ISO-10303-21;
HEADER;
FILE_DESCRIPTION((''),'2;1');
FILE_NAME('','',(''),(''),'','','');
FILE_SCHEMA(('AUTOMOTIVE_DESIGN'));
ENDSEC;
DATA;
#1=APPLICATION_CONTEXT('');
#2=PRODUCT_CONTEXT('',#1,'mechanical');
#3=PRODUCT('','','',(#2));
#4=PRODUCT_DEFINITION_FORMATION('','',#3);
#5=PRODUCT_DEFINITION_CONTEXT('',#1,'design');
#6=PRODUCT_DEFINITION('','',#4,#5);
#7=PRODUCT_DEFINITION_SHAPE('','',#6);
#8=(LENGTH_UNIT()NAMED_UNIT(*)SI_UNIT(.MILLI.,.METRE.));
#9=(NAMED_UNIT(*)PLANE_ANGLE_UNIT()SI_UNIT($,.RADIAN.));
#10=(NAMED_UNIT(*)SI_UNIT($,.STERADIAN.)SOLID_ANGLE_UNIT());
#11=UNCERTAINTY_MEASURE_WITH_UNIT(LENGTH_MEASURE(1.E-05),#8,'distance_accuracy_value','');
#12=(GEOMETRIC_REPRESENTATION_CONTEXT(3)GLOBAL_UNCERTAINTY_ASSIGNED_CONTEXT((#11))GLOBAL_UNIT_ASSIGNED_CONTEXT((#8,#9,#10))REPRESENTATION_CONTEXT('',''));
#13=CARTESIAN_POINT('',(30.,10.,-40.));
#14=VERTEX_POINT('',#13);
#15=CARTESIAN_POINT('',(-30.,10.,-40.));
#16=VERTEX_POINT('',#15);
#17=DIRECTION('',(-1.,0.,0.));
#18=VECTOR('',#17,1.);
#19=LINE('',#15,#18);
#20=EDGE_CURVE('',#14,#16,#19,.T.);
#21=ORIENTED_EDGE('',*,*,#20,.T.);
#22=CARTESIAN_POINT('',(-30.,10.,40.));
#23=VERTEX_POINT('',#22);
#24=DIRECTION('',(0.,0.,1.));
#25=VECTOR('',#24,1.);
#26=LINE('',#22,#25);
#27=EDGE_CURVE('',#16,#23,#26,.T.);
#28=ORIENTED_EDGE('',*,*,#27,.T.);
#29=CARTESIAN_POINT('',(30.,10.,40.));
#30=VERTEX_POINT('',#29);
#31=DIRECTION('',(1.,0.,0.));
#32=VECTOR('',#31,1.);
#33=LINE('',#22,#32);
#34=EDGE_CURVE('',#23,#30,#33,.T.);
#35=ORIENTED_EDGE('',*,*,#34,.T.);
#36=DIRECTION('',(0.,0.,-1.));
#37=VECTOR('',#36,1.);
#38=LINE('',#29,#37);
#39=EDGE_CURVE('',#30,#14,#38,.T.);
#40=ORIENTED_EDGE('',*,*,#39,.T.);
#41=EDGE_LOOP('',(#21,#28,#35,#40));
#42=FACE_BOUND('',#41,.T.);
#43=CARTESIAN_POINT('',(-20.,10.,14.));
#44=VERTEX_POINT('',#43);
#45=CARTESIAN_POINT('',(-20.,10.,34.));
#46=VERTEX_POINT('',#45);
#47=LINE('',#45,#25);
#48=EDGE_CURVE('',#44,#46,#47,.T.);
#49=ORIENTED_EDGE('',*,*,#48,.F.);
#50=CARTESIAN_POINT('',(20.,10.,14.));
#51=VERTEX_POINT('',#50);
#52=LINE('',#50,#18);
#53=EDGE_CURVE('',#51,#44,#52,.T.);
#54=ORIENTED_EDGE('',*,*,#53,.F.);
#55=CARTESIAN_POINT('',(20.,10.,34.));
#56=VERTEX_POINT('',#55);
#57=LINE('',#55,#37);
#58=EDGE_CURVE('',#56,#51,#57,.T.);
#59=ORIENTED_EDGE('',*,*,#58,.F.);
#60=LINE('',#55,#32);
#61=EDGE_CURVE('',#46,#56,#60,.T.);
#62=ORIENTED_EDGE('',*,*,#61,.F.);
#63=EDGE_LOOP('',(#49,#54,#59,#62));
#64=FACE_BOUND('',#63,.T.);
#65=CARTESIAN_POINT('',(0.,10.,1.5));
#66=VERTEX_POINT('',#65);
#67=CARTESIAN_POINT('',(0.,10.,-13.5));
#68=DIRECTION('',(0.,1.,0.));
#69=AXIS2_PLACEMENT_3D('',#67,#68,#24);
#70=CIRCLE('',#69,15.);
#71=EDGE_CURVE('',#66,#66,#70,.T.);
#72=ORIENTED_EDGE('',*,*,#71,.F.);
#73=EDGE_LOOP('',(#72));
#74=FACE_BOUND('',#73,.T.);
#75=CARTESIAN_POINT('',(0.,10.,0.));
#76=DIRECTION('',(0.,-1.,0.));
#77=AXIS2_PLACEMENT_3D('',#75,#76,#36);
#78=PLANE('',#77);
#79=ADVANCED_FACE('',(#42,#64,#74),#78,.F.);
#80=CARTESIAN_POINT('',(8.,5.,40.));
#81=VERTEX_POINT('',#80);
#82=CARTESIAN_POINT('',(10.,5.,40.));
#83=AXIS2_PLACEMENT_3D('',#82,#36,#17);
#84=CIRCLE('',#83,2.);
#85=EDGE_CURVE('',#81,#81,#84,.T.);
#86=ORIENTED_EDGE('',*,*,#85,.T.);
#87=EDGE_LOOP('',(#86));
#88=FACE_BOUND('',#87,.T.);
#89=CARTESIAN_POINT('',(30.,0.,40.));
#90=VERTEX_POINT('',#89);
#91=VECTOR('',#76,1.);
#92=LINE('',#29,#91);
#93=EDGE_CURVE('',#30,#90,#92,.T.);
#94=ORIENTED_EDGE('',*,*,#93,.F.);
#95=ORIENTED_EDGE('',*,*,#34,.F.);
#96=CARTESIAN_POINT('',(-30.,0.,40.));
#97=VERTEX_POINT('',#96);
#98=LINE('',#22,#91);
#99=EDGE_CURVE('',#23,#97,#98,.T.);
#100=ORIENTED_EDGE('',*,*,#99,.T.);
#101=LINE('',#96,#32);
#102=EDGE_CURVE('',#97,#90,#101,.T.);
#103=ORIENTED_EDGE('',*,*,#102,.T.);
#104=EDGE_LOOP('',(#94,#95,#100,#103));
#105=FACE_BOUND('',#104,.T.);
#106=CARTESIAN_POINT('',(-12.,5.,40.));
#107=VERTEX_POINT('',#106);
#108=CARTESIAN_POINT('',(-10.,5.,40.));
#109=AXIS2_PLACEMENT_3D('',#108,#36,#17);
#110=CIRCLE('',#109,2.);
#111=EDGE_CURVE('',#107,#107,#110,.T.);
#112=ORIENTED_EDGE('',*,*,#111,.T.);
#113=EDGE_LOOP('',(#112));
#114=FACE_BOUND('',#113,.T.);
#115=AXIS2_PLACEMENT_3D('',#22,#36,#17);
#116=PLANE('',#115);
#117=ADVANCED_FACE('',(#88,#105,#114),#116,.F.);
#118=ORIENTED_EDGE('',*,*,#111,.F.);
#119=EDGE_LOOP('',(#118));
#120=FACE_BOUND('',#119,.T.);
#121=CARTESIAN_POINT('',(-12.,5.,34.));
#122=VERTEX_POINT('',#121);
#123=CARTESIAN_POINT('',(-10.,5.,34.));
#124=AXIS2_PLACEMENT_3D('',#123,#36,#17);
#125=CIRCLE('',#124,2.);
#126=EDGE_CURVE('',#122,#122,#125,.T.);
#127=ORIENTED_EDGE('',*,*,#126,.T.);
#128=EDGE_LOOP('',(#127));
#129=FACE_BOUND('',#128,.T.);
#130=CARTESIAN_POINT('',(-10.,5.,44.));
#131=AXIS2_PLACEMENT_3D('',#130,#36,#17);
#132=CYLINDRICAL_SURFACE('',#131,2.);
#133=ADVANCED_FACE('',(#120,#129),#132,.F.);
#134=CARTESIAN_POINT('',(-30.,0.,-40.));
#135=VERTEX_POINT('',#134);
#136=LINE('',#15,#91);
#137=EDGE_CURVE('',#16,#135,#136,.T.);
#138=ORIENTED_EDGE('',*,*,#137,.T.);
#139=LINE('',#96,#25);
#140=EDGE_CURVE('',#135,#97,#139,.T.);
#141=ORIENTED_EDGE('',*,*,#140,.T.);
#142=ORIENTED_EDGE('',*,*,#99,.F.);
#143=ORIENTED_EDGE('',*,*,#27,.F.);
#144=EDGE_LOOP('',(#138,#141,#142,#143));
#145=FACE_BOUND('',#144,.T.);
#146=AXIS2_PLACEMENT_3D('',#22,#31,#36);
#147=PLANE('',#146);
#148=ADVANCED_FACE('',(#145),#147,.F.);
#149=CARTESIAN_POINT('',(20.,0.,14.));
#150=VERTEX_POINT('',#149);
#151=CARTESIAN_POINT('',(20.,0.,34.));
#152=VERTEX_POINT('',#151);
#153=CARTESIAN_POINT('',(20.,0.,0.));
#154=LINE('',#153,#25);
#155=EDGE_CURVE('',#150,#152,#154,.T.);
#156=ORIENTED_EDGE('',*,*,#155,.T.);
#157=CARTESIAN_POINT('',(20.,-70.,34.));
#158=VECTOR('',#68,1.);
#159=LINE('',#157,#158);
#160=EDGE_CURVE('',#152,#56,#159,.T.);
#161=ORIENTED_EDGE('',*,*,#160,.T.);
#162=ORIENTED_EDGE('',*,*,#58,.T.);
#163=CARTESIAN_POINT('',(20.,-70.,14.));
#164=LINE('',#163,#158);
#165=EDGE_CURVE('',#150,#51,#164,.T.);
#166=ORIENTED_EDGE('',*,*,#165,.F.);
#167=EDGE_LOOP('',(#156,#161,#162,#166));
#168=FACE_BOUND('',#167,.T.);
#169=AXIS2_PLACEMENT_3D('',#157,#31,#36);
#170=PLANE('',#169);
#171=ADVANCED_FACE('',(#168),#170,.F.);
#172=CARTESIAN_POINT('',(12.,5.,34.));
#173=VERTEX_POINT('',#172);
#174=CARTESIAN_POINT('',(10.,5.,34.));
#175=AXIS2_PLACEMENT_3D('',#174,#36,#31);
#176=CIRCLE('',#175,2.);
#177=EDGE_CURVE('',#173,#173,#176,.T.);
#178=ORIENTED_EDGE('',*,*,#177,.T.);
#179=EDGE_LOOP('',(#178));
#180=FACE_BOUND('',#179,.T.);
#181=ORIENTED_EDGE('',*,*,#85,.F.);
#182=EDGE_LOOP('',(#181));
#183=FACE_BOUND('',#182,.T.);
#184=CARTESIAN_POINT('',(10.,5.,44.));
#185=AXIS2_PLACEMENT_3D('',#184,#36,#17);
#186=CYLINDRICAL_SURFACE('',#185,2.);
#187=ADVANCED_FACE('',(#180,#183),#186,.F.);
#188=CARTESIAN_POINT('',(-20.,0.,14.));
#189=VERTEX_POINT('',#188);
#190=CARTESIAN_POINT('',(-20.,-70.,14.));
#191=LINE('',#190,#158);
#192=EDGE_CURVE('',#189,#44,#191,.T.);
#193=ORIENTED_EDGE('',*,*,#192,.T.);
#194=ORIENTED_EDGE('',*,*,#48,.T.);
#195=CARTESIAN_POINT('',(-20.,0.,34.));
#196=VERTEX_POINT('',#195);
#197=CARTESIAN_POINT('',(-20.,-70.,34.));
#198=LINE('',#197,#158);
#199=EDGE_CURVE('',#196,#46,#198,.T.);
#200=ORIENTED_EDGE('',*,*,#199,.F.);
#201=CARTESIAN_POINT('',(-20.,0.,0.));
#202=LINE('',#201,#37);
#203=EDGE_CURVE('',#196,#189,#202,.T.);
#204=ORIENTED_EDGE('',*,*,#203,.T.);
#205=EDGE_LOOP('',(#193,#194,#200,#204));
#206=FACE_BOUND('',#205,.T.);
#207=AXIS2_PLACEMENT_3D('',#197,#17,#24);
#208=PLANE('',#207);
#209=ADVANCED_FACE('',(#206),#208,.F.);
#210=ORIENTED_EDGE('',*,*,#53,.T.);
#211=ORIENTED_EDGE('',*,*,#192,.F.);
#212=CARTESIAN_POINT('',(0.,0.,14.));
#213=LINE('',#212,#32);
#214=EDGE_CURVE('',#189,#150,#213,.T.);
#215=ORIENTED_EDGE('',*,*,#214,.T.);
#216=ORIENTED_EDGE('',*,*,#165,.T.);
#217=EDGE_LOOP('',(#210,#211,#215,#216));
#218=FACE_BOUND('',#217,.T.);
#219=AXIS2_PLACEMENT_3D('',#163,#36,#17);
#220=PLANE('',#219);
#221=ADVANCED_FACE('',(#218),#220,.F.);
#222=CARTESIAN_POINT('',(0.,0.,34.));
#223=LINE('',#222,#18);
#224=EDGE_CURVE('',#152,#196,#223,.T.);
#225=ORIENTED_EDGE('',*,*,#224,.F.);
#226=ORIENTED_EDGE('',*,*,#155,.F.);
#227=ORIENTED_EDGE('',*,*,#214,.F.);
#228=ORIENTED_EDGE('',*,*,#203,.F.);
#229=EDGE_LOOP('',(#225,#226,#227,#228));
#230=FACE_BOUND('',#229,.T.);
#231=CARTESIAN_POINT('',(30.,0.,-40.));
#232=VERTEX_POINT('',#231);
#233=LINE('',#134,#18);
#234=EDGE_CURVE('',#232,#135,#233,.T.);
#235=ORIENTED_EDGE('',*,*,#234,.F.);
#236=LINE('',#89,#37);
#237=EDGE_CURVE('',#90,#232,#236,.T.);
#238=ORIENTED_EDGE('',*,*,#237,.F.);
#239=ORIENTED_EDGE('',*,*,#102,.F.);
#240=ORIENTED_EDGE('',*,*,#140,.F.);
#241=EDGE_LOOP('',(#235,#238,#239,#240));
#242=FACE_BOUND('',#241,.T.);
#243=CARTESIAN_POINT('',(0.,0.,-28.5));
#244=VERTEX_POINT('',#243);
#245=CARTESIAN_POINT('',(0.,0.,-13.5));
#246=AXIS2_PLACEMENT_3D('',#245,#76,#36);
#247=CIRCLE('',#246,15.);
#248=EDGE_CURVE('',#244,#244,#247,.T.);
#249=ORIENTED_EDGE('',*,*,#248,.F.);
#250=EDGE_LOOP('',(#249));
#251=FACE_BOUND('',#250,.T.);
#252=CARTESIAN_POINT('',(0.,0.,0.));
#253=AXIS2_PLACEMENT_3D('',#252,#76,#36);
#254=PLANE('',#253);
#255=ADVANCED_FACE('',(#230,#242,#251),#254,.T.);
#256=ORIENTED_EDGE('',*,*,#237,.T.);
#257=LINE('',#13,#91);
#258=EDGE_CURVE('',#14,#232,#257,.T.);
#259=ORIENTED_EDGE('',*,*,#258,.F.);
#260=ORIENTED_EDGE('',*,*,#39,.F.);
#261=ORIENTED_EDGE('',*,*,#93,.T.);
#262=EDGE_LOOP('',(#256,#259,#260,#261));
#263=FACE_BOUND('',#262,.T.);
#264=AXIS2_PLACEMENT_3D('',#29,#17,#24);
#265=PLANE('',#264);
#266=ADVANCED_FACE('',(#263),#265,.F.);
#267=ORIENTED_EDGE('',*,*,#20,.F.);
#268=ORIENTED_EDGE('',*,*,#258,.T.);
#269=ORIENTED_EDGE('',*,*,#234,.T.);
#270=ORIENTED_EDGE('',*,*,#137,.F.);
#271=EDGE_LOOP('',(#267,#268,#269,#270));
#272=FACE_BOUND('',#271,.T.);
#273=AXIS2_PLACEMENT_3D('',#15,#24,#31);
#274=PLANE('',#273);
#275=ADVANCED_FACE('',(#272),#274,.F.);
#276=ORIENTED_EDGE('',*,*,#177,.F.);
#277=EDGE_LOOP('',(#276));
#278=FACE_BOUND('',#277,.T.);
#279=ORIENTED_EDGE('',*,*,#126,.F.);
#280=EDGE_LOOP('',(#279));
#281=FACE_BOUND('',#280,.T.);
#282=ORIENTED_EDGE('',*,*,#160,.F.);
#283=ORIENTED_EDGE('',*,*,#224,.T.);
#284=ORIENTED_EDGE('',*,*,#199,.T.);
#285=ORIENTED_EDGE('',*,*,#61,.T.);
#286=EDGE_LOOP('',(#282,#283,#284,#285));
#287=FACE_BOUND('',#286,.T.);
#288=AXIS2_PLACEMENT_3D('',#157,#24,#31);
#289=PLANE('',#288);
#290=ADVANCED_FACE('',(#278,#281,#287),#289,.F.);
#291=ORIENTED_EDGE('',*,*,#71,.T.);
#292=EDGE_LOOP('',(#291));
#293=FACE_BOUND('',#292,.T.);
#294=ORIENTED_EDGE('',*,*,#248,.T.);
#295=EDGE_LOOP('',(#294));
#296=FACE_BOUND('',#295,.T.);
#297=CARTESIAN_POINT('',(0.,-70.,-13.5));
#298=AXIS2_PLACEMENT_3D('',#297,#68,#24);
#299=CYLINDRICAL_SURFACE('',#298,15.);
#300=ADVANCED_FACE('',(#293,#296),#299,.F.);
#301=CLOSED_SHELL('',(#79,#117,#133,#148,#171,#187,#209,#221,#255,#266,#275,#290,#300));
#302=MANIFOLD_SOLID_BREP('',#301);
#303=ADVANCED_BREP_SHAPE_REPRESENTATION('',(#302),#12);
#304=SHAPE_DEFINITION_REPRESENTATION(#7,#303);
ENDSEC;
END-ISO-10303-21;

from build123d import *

# Parameters (mm, degrees)
SKETCH1_W           = 60
SKETCH1_H           = 80
BOSS_EXTRUDE1_DEPTH = 10
SKETCH2_R           = 15
CUT_EXTRUDE1_DEPTH  = 80
SKETCH3_W           = 40
SKETCH3_H           = 20
CUT_EXTRUDE2_DEPTH  = 80
SKETCH4_R           = 2
CUT_EXTRUDE3_DEPTH  = 10


with BuildPart() as part:
    # Sketch1 → Boss-Extrude1 (new body)
    with BuildSketch(Plane(origin=(0, 0, 0), x_dir=(1, 0, 0), z_dir=(0, 1, 0))):
        Rectangle(SKETCH1_W, SKETCH1_H)
    extrude(amount=BOSS_EXTRUDE1_DEPTH)

    # Sketch2 → Cut-Extrude1 (cut)
    with BuildSketch(Plane(origin=(0, 10, 0), x_dir=(1, 0, 0), z_dir=(0, 1, 0))):
        with Locations(Location((0, 13.5, 0), (0, 0, 270))):
            Circle(SKETCH2_R)
    extrude(amount=-CUT_EXTRUDE1_DEPTH, mode=Mode.SUBTRACT)

    # Sketch3 → Cut-Extrude2 (cut)
    with BuildSketch(Plane(origin=(0, 10, 0), x_dir=(1, 0, 0), z_dir=(0, 1, 0))):
        with Locations((0, -24)):
            Rectangle(SKETCH3_W, SKETCH3_H)
    extrude(amount=-CUT_EXTRUDE2_DEPTH, mode=Mode.SUBTRACT)

    # Sketch4 → Cut-Extrude3 (cut)
    with BuildSketch(Plane(origin=(0, 0, 34), x_dir=(-1, 0, 0), z_dir=(0, 0, -1))):
        with Locations((10, 5)):
            Circle(SKETCH4_R)
        with Locations((-10, 5)):
            Circle(SKETCH4_R)
    extrude(amount=-CUT_EXTRUDE3_DEPTH, mode=Mode.SUBTRACT)


solid = part.part
